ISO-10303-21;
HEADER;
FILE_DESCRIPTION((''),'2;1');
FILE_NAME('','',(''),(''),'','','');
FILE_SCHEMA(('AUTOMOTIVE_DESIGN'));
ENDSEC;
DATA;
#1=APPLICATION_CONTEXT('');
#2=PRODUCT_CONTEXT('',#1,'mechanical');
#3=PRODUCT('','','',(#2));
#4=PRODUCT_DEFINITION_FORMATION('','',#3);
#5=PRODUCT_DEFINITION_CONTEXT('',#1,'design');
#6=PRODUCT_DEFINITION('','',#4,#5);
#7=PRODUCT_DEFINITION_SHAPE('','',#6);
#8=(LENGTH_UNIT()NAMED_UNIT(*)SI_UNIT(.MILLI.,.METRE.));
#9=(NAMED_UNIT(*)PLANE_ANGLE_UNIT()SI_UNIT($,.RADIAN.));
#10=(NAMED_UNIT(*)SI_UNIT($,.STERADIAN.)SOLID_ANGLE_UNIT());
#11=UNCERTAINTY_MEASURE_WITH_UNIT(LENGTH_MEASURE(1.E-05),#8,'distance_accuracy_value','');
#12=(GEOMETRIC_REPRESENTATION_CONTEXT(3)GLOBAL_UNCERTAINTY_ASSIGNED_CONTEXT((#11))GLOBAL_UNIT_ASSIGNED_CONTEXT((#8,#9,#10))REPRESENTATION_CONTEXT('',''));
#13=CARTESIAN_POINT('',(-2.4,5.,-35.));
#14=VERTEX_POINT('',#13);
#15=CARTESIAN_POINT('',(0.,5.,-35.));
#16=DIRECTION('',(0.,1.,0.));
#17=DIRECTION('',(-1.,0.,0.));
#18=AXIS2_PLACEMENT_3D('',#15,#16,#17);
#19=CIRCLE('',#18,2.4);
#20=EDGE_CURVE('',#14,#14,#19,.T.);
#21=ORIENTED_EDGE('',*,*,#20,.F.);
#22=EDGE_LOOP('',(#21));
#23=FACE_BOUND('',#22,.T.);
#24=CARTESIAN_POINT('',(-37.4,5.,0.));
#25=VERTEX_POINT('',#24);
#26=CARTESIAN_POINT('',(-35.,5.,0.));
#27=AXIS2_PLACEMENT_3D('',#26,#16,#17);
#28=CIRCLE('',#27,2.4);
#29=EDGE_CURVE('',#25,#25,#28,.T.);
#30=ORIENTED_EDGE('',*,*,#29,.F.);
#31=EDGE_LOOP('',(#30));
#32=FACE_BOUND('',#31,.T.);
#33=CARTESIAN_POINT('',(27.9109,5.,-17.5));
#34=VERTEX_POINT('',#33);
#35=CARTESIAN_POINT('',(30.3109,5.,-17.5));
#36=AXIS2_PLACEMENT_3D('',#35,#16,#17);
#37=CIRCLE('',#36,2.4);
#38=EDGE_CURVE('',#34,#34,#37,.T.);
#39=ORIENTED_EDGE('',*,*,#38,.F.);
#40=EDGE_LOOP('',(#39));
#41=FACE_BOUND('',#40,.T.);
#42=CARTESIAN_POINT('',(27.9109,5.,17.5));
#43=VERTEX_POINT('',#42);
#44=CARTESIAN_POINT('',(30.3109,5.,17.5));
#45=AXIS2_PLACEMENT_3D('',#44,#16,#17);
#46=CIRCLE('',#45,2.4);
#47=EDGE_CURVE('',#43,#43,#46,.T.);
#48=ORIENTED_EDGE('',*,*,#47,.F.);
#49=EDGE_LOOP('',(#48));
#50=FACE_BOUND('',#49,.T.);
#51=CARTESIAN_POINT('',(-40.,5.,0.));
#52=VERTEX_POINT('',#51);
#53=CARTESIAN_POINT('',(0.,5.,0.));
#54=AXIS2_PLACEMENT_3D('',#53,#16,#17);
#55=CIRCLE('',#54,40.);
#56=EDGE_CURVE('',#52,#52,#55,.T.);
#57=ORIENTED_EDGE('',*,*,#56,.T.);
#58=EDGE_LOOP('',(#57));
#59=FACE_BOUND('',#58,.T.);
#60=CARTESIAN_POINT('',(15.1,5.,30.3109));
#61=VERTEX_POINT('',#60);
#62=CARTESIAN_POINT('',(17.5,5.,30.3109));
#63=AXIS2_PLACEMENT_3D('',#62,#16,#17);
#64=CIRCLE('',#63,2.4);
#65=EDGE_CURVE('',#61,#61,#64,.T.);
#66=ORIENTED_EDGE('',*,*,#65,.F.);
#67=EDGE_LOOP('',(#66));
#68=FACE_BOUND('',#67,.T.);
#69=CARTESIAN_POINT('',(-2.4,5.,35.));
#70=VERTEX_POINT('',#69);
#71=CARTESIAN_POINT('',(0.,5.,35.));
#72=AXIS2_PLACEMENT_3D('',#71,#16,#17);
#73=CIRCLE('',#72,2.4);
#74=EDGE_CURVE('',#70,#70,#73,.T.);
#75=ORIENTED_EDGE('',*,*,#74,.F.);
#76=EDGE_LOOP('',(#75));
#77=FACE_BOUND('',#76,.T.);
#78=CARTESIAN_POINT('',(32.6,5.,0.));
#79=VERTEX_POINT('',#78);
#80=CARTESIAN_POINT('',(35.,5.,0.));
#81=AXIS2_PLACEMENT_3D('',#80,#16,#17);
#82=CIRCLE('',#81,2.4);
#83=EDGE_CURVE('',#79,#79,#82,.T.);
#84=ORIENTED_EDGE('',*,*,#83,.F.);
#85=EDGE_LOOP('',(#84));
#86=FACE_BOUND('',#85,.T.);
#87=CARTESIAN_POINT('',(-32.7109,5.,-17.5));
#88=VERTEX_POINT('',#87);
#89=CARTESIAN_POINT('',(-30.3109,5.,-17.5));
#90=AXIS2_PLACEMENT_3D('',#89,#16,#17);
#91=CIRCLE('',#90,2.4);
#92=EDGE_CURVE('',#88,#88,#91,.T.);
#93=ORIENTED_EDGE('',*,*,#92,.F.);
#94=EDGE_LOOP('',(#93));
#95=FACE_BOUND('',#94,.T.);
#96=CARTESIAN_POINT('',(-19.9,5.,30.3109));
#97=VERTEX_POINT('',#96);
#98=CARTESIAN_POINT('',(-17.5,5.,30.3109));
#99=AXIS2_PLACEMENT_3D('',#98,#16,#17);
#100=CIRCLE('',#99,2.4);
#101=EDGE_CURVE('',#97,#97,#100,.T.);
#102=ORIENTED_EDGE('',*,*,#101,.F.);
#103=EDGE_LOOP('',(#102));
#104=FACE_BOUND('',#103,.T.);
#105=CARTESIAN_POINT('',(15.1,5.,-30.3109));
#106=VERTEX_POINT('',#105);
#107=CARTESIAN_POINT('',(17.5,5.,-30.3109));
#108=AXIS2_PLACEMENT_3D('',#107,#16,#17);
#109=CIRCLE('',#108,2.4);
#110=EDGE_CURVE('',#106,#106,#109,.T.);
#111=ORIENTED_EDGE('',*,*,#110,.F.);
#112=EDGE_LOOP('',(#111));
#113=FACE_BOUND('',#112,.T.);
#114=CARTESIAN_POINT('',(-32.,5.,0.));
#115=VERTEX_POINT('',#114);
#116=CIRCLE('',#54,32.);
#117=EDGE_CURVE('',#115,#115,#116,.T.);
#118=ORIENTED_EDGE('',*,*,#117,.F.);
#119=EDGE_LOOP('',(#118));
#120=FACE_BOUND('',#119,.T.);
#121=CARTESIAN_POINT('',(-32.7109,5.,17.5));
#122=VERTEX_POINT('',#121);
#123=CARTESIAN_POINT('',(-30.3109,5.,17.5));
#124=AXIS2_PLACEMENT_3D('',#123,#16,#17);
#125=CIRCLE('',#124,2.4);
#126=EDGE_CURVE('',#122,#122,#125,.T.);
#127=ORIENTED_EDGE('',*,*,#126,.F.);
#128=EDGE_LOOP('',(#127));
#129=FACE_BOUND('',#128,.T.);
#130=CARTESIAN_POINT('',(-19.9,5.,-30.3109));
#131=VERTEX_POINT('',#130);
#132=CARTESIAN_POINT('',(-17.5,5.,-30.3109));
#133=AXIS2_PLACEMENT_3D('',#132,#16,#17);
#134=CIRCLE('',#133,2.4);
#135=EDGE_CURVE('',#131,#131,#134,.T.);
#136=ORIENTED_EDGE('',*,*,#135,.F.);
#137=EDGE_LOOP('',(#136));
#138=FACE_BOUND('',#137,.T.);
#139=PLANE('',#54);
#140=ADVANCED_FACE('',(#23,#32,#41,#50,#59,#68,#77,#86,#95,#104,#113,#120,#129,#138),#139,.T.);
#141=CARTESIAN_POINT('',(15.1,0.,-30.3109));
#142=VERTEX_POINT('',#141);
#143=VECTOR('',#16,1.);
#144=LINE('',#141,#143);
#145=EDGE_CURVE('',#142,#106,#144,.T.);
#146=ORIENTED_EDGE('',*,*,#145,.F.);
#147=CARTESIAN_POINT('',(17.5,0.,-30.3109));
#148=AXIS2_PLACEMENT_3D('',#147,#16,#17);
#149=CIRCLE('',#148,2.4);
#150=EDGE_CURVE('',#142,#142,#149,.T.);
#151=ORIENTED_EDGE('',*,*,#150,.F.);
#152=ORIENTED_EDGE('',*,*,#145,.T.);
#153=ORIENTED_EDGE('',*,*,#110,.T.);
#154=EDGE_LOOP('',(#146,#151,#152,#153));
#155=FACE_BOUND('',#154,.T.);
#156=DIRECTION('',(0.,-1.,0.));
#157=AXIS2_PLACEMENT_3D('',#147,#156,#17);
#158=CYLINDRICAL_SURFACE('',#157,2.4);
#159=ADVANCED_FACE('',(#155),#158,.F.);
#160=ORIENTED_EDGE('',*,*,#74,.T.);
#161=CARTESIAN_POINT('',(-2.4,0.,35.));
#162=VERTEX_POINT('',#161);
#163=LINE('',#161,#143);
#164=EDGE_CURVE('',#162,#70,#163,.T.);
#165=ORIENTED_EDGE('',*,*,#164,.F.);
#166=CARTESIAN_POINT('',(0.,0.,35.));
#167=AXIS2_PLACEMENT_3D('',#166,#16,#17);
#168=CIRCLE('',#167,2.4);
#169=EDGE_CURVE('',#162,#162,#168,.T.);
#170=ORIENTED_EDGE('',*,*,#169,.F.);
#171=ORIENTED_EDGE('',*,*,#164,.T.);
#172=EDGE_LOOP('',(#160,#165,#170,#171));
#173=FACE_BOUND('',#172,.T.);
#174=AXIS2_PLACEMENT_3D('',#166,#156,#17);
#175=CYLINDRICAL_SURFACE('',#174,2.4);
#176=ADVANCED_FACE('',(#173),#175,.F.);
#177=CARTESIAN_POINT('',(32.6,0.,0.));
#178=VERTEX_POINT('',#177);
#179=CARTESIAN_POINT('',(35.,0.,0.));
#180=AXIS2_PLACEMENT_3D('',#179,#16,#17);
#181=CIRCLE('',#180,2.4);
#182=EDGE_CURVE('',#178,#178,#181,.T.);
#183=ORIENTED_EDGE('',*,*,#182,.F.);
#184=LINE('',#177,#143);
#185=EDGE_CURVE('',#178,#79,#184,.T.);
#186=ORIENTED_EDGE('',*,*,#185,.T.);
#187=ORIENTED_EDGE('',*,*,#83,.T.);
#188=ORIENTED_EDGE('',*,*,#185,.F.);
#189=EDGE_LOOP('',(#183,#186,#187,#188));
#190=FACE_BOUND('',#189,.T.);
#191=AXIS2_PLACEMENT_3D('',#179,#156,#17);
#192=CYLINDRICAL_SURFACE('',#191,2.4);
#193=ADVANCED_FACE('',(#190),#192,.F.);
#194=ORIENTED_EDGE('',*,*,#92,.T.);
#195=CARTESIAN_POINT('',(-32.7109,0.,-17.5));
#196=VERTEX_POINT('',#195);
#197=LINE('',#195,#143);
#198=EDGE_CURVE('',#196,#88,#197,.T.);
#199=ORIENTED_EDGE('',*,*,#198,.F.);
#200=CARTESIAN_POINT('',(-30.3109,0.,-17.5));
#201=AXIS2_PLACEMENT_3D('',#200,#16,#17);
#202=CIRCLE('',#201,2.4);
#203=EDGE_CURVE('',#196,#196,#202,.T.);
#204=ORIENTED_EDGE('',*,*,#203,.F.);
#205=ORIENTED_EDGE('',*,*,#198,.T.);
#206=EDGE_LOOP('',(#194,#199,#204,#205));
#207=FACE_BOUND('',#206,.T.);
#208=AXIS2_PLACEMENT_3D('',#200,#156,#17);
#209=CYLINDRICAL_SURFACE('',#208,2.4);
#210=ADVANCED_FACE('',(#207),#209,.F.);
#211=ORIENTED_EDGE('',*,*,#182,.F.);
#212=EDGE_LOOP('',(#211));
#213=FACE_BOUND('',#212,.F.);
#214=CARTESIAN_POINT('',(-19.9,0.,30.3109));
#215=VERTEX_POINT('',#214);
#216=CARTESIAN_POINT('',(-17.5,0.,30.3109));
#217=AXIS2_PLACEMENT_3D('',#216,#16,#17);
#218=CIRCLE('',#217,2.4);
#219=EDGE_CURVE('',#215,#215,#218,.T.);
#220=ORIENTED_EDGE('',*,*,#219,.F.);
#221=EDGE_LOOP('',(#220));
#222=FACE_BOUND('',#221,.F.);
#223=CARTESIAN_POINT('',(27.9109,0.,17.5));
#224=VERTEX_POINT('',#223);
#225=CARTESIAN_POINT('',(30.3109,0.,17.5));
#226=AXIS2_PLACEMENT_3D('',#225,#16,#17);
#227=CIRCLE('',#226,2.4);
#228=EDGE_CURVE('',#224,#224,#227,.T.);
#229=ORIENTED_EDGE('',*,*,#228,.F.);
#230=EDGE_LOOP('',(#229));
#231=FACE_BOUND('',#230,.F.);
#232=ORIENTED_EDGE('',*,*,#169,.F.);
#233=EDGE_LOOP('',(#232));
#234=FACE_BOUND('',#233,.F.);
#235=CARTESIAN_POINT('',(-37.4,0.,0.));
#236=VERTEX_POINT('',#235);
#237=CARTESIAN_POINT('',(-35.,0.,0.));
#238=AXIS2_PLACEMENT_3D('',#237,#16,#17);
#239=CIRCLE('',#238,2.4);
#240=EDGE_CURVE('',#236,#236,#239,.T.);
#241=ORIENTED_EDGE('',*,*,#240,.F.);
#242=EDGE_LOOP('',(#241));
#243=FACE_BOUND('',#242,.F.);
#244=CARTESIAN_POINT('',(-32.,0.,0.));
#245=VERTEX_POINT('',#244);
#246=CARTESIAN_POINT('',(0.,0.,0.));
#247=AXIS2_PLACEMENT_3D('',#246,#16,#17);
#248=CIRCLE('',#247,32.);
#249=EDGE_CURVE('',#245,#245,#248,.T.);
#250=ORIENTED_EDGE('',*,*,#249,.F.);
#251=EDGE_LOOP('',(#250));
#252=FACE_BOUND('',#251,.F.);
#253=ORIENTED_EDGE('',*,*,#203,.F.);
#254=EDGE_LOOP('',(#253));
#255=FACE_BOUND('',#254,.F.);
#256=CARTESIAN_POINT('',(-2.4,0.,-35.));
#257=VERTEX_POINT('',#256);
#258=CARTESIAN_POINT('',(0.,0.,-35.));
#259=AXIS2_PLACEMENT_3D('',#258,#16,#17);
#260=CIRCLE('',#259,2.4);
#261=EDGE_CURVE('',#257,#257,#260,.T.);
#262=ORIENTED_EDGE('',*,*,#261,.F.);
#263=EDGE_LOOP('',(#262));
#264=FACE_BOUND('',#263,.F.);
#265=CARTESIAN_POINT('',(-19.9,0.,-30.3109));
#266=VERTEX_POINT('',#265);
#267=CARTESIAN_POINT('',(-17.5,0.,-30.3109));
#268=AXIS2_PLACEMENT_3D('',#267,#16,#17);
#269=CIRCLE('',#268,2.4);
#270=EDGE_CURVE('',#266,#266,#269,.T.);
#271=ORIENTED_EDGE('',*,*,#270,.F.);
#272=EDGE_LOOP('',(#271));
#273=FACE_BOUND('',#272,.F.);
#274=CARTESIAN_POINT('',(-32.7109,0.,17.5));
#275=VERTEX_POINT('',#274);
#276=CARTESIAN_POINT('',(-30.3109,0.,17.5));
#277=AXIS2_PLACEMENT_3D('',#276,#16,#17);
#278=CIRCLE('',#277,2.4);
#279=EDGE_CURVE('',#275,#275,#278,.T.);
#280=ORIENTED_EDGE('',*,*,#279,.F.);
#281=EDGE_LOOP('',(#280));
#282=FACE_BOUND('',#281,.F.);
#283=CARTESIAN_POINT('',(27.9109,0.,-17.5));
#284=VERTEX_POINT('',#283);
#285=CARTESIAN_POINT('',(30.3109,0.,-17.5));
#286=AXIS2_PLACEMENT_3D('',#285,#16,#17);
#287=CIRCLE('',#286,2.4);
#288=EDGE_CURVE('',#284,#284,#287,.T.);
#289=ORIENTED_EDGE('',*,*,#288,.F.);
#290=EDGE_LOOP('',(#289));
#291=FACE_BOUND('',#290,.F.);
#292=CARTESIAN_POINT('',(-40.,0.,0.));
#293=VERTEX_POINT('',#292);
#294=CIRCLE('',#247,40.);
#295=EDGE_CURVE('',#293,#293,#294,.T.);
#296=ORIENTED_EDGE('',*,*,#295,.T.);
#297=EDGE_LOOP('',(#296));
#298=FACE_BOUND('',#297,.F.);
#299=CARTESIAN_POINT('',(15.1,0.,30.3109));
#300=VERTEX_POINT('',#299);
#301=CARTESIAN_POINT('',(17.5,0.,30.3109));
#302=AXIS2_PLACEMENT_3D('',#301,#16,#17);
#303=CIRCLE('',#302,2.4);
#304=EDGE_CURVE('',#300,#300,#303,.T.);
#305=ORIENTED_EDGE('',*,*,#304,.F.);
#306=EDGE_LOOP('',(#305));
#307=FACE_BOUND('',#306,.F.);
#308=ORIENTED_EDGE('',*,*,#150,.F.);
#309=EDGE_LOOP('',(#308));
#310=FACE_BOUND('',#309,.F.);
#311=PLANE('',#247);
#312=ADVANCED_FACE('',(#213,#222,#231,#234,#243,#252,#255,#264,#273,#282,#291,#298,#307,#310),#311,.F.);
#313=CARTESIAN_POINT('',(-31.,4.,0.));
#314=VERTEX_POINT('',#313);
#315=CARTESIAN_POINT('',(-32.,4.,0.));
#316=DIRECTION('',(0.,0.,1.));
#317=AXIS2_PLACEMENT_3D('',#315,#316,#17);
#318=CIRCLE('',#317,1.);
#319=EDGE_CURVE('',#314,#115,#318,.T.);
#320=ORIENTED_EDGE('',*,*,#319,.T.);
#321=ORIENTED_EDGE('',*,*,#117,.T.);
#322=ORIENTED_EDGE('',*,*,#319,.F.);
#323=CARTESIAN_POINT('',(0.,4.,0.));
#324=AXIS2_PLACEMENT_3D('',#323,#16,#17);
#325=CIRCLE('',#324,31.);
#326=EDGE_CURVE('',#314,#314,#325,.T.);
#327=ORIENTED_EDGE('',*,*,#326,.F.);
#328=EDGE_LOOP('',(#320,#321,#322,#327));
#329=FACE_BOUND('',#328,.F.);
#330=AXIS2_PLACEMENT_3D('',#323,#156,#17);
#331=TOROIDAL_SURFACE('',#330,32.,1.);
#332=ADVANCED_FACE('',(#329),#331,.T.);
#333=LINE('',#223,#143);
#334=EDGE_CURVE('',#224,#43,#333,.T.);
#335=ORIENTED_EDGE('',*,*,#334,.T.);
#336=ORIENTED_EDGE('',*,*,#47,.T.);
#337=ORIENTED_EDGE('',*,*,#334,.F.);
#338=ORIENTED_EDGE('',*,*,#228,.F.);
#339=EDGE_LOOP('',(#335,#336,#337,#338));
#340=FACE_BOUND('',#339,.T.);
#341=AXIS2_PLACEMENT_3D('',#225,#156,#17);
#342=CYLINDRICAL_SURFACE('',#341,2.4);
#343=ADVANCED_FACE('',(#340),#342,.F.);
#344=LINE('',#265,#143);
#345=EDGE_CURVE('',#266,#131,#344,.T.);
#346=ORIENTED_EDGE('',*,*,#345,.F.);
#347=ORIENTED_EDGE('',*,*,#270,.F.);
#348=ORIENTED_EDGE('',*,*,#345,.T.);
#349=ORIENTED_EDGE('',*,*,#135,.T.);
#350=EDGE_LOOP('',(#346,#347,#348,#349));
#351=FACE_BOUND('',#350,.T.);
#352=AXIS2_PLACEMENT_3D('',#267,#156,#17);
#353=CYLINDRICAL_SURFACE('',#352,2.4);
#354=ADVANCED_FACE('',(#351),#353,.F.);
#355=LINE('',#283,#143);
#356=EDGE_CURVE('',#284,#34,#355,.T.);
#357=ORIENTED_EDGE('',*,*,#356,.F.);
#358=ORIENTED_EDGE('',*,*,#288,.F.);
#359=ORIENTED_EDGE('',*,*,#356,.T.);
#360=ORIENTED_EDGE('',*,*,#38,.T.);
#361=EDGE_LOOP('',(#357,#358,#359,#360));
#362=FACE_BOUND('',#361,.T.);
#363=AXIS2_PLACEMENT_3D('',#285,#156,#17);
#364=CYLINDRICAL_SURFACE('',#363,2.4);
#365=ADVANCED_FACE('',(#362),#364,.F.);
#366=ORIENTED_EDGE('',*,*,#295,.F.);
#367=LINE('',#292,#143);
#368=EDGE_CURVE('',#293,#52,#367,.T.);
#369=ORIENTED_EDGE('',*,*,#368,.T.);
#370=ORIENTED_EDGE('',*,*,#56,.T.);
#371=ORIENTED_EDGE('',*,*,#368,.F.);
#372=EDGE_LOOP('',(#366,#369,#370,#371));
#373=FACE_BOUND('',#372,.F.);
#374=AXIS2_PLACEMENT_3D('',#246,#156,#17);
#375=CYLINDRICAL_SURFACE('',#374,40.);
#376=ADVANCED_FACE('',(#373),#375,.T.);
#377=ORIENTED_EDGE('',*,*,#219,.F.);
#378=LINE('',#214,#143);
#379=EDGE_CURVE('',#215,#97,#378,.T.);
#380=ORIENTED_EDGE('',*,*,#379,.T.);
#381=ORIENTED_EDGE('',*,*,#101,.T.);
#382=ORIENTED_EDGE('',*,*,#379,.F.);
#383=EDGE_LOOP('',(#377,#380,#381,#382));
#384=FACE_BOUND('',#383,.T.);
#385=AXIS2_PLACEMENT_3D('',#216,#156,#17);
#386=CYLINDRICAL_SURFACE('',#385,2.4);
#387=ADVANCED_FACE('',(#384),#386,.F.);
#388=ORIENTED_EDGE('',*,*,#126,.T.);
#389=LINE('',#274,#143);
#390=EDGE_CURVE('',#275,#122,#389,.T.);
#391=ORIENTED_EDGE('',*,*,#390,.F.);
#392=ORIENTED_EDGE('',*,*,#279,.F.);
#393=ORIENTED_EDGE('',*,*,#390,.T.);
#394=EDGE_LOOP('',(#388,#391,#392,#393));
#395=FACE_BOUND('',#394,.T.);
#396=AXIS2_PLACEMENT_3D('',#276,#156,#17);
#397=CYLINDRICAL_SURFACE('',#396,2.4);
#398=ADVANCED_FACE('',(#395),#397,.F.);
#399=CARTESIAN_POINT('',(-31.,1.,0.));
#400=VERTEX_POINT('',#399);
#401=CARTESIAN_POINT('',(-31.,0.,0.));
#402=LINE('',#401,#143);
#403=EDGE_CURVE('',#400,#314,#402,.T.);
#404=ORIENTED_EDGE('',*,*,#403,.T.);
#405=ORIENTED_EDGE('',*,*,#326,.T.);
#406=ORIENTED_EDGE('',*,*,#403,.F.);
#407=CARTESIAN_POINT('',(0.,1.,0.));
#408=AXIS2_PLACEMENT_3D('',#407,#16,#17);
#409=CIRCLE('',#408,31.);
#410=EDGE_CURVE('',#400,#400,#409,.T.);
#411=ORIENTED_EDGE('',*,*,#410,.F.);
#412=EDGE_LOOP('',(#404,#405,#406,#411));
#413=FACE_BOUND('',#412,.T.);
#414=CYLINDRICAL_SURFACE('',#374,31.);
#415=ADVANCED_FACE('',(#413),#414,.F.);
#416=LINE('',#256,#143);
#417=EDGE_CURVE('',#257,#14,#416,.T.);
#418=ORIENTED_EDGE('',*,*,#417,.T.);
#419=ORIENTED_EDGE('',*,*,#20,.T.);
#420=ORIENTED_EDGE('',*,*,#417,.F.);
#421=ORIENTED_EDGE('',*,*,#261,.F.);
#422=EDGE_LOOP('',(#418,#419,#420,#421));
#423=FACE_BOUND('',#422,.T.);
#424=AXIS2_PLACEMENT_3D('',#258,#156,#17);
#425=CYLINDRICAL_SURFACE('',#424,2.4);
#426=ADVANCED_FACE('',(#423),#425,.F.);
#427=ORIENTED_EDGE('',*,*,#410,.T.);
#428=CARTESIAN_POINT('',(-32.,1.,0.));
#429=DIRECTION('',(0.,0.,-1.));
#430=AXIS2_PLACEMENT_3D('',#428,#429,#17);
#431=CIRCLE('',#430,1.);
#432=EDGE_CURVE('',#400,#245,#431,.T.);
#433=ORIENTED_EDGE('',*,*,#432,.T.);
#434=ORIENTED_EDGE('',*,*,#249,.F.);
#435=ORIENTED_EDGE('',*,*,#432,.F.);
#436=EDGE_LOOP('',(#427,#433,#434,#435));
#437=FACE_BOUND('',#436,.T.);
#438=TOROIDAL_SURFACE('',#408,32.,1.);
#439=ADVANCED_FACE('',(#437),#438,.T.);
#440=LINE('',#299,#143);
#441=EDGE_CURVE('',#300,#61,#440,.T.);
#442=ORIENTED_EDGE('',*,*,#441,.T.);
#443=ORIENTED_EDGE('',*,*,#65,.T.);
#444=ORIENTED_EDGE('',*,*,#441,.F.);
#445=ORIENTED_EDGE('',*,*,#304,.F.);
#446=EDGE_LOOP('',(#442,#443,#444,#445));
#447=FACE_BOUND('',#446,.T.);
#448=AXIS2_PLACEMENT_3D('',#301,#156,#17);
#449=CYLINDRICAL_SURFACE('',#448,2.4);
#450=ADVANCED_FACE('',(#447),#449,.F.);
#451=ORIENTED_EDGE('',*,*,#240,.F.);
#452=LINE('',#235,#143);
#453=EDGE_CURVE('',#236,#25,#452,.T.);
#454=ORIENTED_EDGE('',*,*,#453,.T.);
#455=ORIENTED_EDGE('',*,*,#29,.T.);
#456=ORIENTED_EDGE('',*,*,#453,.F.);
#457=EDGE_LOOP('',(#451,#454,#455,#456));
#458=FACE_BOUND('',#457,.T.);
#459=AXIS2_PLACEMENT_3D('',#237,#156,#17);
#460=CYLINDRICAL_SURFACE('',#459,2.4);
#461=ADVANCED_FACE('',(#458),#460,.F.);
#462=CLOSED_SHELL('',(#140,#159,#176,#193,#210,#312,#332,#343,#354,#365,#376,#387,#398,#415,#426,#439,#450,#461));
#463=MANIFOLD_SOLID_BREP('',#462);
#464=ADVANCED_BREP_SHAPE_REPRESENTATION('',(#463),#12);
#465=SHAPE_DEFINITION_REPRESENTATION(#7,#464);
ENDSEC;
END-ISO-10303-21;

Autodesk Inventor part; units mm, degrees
ref_plane "YZ Plane" through (0, 0, 0) normal (1, 0, 0) x (0, 1, 0)
ref_plane "XZ Plane" through (0, 0, 0) normal (0, 1, 0) x (-1, 0, 0)
ref_plane "XY Plane" through (0, 0, 0) normal (0, 0, 1) x (1, 0, 0)
sketch "Sketch1" plane through (0, 0, 0) normal (0, 1, 0) x (-1, 0, 0)
  circle A0 centre (0, 0) radius 31
  circle A1 centre (0, 0) radius 40
  circle A2 centre (0, 0) radius 35 construction
  circle A3 centre (35, 0) radius 2.4
  circle A4 centre (30.3109, 17.5) radius 2.4
  circle A5 centre (17.5, 30.3109) radius 2.4
  circle A6 centre (0, 35) radius 2.4
  circle A7 centre (-17.5, 30.3109) radius 2.4
  circle A8 centre (-30.3109, 17.5) radius 2.4
  circle A9 centre (-35, 0) radius 2.4
  circle A10 centre (-30.3109, -17.5) radius 2.4
  circle A11 centre (-17.5, -30.3109) radius 2.4
  circle A12 centre (0, -35) radius 2.4
  circle A13 centre (17.5, -30.3109) radius 2.4
  circle A14 centre (30.3109, -17.5) radius 2.4
  dimension "d2" = 70
  dimension "d0" = 62
  dimension "d1" = 80
  dimension "d3" = 4.8
  dimension "d6" = 360
extrude "Extrusion1" add sketch "Sketch1" along normal blind 5
fillet "Fillet1" radius 1 2 edges at (31, 0, 0) (31, 5, 0)
properties part number "top ring"
